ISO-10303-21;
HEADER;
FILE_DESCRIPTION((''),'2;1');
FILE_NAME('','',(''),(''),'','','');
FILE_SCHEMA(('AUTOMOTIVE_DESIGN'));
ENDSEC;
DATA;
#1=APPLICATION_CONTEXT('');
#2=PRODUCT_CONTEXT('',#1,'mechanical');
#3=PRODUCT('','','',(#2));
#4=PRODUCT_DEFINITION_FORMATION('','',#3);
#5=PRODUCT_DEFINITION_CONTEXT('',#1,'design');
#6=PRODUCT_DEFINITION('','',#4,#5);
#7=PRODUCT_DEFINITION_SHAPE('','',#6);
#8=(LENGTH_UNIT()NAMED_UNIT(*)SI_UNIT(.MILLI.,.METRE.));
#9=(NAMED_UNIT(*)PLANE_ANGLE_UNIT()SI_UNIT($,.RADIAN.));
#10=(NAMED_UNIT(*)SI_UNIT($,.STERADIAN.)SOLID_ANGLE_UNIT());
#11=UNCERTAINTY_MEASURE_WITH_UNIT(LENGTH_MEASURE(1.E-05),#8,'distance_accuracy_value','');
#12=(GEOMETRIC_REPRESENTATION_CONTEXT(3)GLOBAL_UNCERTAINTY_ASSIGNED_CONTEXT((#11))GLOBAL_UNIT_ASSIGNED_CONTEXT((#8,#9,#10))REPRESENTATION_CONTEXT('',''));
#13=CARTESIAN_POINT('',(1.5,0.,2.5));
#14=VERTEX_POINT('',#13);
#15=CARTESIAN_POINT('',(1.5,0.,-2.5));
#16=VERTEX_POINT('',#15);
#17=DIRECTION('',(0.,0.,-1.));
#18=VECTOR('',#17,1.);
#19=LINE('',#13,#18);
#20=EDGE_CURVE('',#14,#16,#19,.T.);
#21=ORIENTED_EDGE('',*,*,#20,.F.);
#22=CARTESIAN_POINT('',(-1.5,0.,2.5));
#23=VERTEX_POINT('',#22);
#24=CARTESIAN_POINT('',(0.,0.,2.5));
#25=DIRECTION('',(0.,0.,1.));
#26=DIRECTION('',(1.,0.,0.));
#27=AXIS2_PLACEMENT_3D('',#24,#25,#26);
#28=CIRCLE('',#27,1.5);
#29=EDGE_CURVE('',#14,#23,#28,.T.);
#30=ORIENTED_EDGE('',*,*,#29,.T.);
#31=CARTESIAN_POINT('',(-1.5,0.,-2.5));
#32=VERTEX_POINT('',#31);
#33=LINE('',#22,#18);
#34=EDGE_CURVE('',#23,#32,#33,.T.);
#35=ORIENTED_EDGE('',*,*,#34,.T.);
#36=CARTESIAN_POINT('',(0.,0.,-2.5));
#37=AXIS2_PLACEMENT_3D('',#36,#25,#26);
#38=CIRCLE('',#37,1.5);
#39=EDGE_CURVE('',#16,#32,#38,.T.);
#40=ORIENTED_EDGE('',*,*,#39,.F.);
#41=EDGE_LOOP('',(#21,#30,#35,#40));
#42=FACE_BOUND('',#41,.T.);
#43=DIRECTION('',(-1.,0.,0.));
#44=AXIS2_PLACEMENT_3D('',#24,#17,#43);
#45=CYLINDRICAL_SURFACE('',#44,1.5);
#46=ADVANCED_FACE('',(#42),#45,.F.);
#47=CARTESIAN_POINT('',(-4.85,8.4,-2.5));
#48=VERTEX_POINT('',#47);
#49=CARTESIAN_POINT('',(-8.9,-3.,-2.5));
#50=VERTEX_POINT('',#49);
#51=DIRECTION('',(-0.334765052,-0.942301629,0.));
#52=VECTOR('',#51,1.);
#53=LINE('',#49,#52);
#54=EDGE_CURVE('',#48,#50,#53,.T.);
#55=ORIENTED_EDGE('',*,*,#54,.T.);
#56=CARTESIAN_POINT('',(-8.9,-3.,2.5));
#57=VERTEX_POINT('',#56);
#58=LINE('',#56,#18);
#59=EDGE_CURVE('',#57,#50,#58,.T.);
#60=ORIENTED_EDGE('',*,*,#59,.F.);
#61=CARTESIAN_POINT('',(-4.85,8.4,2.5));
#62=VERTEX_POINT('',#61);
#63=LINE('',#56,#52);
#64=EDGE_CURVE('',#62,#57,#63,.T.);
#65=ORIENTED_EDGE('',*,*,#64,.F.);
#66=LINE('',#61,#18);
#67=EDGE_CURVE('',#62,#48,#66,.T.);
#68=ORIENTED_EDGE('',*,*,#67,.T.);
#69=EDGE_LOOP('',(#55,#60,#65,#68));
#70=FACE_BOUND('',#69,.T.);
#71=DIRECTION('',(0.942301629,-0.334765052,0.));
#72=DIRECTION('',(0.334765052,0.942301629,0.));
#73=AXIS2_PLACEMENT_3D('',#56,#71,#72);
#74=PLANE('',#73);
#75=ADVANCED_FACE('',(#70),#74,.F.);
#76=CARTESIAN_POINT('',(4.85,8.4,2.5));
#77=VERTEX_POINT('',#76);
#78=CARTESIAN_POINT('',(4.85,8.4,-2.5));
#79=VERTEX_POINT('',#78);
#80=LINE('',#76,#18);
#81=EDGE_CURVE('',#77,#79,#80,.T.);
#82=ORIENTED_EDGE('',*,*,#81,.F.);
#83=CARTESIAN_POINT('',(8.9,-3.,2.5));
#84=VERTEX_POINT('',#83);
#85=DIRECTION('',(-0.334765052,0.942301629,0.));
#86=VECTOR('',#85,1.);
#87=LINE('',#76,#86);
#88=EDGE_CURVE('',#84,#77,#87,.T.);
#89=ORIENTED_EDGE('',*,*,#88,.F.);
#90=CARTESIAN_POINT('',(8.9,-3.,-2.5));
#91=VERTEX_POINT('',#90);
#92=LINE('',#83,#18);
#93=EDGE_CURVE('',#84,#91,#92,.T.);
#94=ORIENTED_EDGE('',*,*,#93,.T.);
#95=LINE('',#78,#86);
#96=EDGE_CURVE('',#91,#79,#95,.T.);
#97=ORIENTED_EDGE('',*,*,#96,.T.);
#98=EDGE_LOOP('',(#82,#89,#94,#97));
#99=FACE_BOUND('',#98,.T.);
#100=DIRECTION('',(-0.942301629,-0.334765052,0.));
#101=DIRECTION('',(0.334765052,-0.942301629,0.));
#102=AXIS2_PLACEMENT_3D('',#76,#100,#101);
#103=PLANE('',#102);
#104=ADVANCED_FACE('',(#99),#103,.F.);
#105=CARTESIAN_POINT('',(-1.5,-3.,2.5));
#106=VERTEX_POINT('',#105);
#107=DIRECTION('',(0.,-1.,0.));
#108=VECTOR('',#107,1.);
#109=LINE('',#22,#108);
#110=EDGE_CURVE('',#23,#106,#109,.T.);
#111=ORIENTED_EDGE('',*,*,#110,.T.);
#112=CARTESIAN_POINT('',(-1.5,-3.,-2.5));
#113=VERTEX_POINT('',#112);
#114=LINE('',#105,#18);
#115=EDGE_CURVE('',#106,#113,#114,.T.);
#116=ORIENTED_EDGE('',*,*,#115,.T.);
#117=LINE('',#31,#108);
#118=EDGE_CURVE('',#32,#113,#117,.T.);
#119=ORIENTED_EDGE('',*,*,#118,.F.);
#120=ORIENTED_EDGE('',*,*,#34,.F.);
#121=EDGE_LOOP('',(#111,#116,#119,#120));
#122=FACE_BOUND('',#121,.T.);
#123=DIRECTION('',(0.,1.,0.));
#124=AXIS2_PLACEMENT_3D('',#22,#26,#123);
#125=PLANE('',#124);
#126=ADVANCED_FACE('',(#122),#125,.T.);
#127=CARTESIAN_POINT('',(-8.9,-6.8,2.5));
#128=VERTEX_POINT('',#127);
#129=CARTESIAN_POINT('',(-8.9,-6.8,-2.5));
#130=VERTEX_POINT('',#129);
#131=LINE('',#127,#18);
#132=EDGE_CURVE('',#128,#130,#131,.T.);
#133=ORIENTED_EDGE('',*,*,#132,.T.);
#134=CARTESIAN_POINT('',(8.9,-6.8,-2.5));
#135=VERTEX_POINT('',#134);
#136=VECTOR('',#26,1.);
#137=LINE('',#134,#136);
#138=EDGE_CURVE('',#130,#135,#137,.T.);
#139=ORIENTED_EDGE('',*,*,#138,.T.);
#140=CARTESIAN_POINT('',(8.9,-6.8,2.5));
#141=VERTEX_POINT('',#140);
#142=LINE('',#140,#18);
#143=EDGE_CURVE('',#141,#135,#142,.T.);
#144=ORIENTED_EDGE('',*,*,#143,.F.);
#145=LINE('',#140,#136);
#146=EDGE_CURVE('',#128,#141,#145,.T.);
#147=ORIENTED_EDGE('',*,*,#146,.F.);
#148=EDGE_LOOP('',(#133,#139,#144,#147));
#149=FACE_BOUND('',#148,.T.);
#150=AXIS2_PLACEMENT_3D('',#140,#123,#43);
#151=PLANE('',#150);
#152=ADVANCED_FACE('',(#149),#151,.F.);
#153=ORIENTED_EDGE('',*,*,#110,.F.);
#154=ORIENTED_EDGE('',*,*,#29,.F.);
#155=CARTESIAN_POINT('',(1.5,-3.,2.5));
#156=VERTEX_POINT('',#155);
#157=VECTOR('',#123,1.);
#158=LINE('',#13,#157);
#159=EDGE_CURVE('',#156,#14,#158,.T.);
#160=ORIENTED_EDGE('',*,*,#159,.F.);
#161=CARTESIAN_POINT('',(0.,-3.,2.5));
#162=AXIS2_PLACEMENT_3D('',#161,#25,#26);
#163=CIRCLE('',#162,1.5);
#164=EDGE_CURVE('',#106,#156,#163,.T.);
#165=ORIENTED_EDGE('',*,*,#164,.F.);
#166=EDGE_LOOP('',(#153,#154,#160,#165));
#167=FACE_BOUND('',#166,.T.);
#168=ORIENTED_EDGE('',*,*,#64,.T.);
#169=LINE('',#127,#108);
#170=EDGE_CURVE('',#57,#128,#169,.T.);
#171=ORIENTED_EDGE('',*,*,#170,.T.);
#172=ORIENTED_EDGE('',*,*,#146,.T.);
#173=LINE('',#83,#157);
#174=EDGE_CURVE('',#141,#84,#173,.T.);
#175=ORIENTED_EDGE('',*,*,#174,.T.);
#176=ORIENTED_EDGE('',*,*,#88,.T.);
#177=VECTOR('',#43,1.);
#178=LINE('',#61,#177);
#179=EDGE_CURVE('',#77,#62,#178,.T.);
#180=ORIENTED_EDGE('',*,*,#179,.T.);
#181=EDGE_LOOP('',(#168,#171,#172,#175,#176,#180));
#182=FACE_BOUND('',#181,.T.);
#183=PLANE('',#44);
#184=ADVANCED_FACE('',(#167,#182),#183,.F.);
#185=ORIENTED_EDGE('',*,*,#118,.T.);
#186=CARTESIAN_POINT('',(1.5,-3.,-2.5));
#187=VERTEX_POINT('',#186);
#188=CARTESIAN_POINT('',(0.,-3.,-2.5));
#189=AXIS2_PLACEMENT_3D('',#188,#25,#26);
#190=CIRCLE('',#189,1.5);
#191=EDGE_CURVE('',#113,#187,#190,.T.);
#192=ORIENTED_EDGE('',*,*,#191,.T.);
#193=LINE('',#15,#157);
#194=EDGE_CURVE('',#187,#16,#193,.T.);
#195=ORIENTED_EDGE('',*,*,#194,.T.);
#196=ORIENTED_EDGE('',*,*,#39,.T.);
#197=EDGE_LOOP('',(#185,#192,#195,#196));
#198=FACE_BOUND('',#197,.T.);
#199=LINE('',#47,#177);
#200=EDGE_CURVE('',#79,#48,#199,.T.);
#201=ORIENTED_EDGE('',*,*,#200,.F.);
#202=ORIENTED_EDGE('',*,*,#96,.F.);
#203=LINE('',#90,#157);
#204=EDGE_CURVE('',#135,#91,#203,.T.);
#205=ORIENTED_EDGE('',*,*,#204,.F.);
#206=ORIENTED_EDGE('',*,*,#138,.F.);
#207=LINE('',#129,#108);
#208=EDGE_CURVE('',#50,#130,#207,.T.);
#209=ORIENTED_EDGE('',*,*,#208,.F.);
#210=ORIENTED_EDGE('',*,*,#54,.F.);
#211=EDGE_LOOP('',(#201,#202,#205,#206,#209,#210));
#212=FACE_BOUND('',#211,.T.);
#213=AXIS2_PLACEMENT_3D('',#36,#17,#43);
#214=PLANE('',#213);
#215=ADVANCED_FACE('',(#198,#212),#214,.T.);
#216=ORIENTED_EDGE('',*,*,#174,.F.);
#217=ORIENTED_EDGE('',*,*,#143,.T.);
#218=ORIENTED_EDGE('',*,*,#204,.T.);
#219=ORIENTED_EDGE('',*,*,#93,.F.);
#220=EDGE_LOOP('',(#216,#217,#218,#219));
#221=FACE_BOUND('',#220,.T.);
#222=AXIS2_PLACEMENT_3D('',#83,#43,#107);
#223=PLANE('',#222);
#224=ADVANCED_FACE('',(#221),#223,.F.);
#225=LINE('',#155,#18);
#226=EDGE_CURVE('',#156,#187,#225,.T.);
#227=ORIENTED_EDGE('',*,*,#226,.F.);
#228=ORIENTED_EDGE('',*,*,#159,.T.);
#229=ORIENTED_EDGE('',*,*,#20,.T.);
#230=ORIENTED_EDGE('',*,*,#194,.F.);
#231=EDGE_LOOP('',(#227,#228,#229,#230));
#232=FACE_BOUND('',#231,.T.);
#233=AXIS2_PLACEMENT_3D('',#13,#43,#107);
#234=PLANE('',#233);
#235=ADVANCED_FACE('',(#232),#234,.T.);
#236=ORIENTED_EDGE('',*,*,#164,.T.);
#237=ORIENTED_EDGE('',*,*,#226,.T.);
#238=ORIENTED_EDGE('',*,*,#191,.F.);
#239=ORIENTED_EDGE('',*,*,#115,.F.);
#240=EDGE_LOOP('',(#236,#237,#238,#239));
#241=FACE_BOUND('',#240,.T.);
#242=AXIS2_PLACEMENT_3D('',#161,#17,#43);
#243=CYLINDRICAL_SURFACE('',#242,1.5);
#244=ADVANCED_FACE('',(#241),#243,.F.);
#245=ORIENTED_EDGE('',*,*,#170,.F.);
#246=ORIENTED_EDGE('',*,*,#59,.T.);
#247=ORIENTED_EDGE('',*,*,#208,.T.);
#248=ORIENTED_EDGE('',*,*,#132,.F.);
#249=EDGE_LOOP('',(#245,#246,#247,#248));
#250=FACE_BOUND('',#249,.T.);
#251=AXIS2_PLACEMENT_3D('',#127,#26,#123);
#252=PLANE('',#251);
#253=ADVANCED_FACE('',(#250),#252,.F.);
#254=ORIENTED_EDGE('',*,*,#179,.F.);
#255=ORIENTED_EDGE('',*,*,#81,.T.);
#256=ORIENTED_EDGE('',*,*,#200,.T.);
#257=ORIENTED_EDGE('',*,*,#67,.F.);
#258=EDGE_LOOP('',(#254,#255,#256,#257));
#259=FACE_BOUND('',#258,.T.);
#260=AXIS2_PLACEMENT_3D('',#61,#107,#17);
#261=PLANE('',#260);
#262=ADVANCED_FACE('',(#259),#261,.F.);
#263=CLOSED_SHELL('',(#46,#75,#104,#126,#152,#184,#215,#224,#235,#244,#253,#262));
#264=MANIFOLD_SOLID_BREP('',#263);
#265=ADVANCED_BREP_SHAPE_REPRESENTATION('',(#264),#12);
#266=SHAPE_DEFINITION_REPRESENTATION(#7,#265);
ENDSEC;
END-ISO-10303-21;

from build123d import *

# Parameters (mm, degrees)
BOSS_EXTRUDE1_DEPTH = 2.5


with BuildPart() as part:
    # Sketch1 → Boss-Extrude1 (new, symmetric)
    with BuildSketch(Plane.XY):
        Polygon((-4.85, 8.4), (4.85, 8.4), (8.9, -3), (8.9, -6.8), (-8.9, -6.8), (-8.9, -3), align=None)
        with BuildLine():
            Line((1.5, 0), (1.5, -3))
            ThreePointArc((1.5, -3), (0, -4.5), (-1.5, -3))
            Line((-1.5, -3), (-1.5, 0))
            ThreePointArc((-1.5, 0), (0, 1.5), (1.5, 0))
        make_face(mode=Mode.SUBTRACT)
    extrude(amount=BOSS_EXTRUDE1_DEPTH, both=True)


solid = part.part
